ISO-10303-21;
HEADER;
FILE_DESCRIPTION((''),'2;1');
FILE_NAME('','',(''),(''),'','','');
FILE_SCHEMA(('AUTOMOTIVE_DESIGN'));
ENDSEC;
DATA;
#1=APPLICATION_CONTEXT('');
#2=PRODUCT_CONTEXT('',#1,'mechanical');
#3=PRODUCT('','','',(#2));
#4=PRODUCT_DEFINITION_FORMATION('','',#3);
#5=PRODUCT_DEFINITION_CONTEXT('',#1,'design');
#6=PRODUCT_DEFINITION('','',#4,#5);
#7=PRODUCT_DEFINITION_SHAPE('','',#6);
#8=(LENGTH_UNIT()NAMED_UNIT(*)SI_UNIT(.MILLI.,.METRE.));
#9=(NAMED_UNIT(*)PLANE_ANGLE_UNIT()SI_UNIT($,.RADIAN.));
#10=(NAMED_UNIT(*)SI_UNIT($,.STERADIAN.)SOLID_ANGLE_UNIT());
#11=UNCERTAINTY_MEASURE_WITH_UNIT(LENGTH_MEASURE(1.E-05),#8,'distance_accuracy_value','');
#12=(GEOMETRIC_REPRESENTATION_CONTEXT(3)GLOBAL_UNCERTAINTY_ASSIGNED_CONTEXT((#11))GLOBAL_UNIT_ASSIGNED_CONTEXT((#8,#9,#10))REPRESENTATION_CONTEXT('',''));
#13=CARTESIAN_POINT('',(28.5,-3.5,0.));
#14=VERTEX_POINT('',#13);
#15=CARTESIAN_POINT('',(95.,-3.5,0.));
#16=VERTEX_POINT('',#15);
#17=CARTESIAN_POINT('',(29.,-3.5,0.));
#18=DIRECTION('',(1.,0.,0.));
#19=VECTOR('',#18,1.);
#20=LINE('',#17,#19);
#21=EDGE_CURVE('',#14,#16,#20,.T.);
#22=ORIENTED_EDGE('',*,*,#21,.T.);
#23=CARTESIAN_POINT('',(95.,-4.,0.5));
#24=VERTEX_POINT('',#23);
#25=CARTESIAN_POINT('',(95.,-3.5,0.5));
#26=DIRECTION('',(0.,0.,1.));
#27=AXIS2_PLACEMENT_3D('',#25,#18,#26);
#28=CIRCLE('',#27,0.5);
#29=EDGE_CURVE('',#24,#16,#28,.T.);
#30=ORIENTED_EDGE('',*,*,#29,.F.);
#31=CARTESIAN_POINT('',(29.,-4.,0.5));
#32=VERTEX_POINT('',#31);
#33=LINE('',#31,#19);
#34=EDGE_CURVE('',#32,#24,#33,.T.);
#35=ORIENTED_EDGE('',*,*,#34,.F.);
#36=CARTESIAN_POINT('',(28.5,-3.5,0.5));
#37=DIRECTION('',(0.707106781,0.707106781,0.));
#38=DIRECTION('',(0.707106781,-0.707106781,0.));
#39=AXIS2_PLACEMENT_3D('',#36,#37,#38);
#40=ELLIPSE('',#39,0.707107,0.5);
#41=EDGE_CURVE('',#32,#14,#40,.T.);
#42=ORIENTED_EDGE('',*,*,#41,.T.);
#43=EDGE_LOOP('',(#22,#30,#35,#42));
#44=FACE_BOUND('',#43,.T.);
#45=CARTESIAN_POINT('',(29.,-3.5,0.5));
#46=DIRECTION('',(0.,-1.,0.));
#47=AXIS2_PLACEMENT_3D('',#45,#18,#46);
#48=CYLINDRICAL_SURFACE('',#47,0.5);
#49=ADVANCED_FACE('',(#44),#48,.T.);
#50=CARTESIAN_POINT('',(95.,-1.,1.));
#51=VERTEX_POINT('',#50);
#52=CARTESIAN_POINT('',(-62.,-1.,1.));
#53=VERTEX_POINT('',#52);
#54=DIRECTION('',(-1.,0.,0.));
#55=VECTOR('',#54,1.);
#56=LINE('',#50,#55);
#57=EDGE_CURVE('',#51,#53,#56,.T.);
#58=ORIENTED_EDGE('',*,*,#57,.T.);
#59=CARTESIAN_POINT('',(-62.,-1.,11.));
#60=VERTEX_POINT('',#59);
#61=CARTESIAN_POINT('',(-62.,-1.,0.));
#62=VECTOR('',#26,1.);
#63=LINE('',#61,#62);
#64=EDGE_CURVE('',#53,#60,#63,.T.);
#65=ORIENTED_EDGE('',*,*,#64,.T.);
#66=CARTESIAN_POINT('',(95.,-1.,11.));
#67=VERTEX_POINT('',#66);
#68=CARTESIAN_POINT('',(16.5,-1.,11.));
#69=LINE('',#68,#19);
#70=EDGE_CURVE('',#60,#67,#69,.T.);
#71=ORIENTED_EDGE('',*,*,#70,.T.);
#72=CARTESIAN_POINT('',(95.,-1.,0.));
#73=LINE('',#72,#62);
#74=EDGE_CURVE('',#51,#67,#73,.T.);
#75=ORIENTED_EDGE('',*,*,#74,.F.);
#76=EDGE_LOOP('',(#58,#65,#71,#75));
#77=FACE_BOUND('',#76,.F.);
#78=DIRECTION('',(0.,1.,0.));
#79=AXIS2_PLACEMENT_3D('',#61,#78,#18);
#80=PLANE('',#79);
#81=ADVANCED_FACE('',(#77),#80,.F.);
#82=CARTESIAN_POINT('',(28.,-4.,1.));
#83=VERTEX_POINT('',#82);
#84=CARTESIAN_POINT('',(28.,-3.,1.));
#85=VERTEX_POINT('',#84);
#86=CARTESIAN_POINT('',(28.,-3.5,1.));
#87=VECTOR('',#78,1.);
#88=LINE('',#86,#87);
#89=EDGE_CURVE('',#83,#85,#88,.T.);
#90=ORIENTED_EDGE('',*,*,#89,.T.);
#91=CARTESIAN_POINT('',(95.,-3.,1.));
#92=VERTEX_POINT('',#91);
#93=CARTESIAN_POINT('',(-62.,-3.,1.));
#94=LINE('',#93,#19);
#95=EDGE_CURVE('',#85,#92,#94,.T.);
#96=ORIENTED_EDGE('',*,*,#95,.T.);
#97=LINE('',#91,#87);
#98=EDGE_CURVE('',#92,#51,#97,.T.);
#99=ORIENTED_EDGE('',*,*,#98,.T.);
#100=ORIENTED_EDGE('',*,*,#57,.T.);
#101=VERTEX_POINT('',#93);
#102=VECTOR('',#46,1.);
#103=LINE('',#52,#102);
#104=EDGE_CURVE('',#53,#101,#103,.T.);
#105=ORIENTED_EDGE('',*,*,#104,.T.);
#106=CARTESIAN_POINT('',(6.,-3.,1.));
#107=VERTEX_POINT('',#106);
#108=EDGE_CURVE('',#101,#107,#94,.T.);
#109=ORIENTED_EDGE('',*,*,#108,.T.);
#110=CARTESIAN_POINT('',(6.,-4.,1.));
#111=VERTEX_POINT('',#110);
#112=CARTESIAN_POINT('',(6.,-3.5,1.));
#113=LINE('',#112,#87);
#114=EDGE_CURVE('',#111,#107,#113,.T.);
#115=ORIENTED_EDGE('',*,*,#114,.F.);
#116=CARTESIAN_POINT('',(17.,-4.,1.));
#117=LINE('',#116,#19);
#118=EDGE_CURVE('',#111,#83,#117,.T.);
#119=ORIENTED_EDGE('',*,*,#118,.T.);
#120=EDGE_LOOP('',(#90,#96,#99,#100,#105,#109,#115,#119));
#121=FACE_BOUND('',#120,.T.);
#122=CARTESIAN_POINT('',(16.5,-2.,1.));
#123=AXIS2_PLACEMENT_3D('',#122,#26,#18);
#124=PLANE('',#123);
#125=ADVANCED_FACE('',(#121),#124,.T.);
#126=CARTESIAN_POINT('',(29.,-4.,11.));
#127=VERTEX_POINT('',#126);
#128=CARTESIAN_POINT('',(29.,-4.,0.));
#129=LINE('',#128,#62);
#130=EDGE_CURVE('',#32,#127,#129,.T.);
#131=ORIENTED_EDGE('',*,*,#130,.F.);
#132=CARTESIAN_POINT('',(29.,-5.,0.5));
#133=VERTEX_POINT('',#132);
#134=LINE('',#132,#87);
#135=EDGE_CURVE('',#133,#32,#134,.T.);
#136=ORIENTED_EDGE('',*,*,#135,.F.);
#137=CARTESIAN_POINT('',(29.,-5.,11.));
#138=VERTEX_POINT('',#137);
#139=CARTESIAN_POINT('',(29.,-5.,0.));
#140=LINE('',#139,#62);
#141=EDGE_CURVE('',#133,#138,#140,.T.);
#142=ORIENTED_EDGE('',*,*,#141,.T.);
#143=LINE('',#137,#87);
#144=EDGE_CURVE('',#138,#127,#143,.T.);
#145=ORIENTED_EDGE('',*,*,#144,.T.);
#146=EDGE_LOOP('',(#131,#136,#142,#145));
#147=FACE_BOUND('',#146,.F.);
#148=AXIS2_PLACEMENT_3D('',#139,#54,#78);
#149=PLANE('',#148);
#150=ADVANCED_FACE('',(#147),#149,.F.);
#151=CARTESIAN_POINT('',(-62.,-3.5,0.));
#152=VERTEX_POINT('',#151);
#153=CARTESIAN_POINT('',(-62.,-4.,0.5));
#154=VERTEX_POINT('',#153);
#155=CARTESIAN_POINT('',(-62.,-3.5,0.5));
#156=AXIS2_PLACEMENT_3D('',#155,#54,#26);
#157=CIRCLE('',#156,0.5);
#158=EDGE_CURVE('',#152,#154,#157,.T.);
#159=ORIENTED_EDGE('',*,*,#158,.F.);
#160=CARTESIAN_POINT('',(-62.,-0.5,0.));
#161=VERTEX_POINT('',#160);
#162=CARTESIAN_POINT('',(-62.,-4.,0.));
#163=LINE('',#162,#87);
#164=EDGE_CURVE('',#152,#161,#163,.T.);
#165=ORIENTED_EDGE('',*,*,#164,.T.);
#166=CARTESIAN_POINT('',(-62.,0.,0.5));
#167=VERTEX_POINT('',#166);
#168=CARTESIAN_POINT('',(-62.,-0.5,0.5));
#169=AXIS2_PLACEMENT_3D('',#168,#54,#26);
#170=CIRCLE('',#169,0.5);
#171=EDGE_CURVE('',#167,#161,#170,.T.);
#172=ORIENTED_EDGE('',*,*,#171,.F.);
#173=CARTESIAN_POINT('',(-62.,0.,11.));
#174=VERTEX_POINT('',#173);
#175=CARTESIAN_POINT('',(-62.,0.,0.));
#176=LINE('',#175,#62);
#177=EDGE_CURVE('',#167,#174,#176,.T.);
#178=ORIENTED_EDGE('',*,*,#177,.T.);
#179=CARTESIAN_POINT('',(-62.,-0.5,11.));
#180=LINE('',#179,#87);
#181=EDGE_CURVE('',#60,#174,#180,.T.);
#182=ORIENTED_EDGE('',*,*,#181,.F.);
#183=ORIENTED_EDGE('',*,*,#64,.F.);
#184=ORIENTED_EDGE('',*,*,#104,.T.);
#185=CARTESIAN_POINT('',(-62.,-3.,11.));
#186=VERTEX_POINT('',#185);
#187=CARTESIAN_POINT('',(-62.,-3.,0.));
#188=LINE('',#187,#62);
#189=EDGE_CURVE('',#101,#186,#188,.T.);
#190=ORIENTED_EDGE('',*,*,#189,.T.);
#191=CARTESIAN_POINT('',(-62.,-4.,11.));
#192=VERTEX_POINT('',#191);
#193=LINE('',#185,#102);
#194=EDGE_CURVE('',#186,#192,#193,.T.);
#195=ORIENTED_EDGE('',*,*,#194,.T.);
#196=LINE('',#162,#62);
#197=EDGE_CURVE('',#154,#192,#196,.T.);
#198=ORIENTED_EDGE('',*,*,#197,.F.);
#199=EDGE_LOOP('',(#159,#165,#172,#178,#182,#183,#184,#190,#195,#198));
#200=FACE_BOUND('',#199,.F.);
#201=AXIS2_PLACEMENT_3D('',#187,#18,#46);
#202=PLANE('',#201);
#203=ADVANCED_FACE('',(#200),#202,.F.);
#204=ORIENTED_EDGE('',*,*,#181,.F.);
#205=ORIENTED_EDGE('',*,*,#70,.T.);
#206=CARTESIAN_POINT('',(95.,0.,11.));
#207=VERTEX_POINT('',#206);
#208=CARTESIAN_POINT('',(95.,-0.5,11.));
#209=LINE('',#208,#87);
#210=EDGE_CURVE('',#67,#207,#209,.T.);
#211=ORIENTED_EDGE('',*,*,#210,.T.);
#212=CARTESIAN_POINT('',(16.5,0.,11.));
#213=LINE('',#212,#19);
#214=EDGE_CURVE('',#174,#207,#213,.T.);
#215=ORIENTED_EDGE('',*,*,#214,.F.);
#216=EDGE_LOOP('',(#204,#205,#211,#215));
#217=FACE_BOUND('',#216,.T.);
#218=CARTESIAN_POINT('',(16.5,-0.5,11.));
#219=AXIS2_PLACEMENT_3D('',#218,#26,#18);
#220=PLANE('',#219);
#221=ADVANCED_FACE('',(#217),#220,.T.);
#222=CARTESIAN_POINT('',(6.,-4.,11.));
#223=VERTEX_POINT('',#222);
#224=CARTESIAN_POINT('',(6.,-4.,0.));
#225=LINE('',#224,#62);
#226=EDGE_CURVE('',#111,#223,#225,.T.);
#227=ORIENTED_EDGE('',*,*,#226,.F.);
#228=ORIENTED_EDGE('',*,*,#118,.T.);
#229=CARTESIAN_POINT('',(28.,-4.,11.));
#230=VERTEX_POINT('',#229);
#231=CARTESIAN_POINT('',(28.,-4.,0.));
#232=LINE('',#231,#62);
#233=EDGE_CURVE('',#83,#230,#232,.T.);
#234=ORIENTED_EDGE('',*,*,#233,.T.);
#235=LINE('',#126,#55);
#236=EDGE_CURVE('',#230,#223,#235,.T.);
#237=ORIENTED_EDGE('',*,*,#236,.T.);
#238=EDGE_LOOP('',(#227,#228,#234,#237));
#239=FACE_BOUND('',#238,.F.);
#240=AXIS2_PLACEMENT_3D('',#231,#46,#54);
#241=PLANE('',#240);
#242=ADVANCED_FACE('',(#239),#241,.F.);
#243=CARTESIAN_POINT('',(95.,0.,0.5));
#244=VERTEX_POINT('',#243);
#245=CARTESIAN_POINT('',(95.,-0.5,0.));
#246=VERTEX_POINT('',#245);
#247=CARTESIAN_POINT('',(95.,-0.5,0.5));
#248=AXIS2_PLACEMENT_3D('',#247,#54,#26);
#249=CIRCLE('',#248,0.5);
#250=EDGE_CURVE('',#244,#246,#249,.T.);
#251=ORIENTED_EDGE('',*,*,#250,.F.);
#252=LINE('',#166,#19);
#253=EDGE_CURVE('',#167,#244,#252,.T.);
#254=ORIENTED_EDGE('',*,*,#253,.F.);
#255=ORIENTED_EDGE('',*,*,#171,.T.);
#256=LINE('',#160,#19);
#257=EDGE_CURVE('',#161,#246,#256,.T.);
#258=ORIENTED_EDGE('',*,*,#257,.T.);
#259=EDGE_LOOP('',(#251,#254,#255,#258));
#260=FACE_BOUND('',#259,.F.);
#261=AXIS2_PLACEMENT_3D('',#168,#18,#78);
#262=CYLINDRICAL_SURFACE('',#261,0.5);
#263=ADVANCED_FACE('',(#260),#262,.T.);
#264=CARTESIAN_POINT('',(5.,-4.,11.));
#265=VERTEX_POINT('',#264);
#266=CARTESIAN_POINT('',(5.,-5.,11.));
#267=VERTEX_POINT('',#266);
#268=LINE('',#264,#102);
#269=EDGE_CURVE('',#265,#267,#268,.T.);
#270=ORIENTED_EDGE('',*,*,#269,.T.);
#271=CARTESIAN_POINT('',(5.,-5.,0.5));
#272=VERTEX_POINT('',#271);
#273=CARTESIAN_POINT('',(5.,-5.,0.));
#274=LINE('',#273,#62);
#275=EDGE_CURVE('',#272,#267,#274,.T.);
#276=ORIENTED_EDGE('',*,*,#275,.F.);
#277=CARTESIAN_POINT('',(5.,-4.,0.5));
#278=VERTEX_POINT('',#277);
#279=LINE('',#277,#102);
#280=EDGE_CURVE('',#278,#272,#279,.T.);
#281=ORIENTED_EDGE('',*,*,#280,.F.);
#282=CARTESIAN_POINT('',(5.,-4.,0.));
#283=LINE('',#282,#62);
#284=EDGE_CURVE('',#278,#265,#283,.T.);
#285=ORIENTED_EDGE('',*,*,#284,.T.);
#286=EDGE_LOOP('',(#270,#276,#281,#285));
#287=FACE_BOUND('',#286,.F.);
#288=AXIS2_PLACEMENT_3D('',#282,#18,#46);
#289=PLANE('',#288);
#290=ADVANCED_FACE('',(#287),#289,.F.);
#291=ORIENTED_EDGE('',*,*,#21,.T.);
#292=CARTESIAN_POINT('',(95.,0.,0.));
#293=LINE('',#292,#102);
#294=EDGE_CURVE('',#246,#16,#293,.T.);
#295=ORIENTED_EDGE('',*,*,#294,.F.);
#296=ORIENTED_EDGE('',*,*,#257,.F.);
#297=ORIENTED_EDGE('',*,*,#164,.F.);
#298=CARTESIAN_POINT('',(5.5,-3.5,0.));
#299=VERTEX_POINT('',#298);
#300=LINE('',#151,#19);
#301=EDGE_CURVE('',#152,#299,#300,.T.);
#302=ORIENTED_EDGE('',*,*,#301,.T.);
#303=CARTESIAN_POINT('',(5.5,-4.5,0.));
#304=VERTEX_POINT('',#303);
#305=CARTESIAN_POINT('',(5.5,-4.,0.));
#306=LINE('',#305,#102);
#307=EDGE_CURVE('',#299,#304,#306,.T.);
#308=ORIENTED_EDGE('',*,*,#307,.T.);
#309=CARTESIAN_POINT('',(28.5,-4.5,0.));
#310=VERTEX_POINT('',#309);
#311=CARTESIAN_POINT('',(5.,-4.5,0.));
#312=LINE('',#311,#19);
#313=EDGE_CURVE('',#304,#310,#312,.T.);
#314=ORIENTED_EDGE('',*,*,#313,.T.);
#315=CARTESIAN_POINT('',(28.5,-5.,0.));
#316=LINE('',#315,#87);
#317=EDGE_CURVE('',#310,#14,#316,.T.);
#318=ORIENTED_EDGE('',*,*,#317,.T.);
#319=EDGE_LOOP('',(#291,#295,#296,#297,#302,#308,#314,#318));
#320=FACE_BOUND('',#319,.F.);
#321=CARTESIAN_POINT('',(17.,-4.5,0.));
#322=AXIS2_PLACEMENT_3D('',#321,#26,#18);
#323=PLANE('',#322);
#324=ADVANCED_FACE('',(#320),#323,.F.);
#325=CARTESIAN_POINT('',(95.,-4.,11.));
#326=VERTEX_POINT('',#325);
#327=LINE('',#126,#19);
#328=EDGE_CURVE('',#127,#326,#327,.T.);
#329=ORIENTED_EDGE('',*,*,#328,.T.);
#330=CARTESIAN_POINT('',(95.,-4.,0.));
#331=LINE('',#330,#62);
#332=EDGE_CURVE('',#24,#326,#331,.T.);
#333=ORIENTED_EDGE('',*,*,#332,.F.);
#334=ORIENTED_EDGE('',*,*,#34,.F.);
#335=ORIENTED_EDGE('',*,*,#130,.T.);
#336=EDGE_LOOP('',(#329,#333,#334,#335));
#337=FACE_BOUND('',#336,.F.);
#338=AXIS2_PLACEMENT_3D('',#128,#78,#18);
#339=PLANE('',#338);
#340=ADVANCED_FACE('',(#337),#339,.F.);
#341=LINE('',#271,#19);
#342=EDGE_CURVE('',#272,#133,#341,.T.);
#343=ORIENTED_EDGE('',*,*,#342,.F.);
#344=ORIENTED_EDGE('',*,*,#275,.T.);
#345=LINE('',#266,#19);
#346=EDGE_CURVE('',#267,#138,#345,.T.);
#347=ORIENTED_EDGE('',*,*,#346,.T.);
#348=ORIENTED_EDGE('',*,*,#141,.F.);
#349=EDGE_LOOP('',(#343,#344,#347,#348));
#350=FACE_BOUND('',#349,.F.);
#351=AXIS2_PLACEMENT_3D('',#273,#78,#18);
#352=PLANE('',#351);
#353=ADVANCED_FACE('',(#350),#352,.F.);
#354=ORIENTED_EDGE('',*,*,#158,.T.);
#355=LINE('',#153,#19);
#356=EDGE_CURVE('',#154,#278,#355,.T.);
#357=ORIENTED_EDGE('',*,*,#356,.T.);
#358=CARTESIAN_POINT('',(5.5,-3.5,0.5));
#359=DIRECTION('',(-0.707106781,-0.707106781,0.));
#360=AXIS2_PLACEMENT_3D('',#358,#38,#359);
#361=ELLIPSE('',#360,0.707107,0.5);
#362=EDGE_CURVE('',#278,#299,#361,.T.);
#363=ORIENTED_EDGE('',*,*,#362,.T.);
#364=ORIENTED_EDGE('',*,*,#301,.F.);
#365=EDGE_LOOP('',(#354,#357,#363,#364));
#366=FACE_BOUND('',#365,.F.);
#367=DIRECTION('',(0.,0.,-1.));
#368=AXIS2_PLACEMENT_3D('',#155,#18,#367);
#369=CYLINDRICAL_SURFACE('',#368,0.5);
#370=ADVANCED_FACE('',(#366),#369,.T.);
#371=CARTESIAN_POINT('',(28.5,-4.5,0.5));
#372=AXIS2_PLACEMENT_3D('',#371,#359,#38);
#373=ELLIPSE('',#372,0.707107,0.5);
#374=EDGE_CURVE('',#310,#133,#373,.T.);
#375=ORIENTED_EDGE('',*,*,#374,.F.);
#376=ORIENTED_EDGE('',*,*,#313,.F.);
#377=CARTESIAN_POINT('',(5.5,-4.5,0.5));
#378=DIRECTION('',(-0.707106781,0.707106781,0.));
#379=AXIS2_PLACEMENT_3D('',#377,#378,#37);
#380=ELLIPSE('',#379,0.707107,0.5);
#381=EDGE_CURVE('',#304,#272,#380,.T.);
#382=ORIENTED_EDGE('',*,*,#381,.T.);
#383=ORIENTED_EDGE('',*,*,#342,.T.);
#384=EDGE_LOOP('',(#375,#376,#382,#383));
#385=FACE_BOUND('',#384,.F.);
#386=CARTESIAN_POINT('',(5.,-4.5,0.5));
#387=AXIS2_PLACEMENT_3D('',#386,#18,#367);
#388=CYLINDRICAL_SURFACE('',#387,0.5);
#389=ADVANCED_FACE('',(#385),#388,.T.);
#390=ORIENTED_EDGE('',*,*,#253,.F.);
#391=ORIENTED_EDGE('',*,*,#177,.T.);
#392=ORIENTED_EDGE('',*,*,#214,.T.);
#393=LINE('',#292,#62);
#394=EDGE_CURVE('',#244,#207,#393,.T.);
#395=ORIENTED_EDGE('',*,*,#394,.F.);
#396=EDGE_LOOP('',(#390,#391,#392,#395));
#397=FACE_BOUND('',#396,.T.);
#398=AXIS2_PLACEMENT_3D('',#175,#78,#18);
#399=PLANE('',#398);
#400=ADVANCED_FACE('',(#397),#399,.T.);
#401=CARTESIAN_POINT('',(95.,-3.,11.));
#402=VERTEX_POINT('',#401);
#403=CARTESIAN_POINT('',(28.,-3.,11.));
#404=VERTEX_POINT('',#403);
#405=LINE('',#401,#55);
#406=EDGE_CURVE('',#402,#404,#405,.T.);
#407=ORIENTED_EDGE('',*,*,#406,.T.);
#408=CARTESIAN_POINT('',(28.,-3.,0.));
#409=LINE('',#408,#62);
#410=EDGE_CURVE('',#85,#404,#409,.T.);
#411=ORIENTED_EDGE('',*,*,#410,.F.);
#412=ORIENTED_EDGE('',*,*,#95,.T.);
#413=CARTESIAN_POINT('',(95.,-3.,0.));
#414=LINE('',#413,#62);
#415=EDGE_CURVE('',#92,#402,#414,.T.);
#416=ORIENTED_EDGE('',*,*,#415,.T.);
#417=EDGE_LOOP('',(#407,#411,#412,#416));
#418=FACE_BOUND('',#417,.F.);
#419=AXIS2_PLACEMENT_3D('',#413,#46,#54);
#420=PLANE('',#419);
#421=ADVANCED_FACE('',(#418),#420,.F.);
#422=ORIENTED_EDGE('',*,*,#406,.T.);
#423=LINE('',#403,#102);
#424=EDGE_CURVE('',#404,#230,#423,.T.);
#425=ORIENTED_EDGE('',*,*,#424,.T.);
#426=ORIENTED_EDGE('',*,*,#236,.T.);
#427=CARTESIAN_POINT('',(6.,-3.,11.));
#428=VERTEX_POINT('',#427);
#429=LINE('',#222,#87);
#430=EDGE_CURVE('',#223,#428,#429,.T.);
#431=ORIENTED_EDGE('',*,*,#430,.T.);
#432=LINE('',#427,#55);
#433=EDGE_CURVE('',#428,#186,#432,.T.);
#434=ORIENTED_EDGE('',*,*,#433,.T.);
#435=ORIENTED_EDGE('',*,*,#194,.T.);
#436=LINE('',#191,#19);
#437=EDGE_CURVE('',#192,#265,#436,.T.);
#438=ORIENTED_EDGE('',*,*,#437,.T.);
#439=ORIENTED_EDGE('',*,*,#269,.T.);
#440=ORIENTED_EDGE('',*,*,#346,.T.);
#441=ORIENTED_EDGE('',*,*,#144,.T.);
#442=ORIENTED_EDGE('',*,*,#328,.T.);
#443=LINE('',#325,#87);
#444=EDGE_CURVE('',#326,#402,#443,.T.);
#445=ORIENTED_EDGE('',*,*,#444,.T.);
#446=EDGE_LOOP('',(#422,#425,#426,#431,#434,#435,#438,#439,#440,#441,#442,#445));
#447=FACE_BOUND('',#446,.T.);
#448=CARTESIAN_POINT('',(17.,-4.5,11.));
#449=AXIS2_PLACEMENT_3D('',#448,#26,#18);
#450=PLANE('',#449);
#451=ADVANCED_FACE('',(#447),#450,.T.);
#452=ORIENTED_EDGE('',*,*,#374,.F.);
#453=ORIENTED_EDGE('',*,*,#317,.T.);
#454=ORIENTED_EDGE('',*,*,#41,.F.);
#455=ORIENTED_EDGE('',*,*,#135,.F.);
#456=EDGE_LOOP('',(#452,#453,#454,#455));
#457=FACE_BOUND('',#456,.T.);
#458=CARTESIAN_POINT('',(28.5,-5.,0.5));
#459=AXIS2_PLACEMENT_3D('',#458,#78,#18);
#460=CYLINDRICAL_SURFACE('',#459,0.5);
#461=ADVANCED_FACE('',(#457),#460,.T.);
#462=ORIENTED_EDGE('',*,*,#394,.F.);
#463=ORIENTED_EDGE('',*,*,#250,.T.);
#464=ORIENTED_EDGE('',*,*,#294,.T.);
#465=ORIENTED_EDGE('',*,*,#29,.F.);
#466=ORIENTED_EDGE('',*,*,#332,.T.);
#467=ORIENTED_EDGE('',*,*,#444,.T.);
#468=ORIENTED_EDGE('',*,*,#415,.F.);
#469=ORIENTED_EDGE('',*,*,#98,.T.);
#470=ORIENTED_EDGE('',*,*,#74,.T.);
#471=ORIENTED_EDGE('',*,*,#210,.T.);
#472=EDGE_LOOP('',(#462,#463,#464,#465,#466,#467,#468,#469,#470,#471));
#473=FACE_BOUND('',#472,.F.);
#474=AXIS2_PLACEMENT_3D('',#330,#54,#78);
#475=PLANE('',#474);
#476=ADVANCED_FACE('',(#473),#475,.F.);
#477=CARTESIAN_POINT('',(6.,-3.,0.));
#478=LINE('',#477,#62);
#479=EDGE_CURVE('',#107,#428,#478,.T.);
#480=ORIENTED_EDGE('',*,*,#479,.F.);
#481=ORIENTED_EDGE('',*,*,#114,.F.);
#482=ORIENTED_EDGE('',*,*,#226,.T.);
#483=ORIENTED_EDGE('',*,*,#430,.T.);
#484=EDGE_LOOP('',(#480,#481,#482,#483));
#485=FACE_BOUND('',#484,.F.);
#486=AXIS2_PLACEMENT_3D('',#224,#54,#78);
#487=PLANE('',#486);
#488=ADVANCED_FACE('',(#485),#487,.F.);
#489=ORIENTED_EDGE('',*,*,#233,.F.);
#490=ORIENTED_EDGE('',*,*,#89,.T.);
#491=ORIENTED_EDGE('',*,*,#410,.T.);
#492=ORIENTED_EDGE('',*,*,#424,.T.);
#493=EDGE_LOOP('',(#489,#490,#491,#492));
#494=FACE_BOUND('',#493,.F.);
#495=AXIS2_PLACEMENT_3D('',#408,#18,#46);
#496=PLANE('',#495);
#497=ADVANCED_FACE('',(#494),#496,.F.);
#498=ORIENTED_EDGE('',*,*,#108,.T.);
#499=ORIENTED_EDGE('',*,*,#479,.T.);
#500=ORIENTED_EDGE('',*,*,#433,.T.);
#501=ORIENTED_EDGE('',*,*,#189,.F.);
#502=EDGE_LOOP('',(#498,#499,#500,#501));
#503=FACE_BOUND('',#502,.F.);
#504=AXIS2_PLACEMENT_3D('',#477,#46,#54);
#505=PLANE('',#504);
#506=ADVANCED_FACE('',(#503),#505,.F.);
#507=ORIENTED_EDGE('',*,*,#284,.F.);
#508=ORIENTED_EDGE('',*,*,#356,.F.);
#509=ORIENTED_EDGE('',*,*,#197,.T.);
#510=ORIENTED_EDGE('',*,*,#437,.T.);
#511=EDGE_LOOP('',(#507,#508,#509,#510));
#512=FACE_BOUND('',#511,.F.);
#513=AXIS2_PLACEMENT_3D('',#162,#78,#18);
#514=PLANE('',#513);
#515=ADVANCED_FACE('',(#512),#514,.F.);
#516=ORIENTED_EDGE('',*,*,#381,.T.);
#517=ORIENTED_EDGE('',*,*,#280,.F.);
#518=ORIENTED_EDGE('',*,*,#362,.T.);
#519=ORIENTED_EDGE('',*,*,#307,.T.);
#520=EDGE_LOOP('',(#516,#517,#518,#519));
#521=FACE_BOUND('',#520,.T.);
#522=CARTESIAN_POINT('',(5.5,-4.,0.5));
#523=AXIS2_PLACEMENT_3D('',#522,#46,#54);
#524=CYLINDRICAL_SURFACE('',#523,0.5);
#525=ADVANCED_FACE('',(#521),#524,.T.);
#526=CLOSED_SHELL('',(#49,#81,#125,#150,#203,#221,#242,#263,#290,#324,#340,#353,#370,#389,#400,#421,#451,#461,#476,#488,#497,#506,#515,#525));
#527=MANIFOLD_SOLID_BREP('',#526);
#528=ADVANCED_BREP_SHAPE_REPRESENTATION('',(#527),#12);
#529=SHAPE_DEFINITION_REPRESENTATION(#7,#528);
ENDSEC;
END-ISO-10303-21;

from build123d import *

# Parameters (mm, degrees)
F0_W     = 22
F0_H     = 1
F1_DEPTH = 1
F0_W_2   = 157
F2_DEPTH = 11
F3_R     = 0.5


with BuildPart() as f1:
    # F0 (on Top) → F1 (new body)
    with BuildSketch(Plane.XY):
        Polygon((95, -1), (-62, -1), (-62, -3), (6, -3), (28, -3), (95, -3), align=None)
        with Locations((17, -3.5)):
            Rectangle(F0_W, F0_H)
    extrude(amount=F1_DEPTH)

    # F0 (on Top) → F2 (join)
    with BuildSketch(Plane.XY):
        Polygon((6, -4), (5, -4), (5, -5), (29, -5), (29, -4), (28, -4), align=None)
        Polygon((6, -3), (-62, -3), (-62, -4), (5, -4), (6, -4), align=None)
        Polygon((95, -4), (95, -3), (28, -3), (28, -4), (29, -4), align=None)
        with Locations((16.5, -0.5)):
            Rectangle(F0_W_2, F0_H)
    extrude(amount=F2_DEPTH)

    # F3
    f3_edges = [f1.edges().sort_by_distance(p)[0] for p in [
        (17, -5, 0),
        (5, -4.5, 0),
        (-28.5, -4, 0),
        (62, -4, 0),
        (29, -4.5, 0),
        (16.5, 0, 0),
    ]]
    fillet(f3_edges, radius=F3_R)


solid = f1.part
